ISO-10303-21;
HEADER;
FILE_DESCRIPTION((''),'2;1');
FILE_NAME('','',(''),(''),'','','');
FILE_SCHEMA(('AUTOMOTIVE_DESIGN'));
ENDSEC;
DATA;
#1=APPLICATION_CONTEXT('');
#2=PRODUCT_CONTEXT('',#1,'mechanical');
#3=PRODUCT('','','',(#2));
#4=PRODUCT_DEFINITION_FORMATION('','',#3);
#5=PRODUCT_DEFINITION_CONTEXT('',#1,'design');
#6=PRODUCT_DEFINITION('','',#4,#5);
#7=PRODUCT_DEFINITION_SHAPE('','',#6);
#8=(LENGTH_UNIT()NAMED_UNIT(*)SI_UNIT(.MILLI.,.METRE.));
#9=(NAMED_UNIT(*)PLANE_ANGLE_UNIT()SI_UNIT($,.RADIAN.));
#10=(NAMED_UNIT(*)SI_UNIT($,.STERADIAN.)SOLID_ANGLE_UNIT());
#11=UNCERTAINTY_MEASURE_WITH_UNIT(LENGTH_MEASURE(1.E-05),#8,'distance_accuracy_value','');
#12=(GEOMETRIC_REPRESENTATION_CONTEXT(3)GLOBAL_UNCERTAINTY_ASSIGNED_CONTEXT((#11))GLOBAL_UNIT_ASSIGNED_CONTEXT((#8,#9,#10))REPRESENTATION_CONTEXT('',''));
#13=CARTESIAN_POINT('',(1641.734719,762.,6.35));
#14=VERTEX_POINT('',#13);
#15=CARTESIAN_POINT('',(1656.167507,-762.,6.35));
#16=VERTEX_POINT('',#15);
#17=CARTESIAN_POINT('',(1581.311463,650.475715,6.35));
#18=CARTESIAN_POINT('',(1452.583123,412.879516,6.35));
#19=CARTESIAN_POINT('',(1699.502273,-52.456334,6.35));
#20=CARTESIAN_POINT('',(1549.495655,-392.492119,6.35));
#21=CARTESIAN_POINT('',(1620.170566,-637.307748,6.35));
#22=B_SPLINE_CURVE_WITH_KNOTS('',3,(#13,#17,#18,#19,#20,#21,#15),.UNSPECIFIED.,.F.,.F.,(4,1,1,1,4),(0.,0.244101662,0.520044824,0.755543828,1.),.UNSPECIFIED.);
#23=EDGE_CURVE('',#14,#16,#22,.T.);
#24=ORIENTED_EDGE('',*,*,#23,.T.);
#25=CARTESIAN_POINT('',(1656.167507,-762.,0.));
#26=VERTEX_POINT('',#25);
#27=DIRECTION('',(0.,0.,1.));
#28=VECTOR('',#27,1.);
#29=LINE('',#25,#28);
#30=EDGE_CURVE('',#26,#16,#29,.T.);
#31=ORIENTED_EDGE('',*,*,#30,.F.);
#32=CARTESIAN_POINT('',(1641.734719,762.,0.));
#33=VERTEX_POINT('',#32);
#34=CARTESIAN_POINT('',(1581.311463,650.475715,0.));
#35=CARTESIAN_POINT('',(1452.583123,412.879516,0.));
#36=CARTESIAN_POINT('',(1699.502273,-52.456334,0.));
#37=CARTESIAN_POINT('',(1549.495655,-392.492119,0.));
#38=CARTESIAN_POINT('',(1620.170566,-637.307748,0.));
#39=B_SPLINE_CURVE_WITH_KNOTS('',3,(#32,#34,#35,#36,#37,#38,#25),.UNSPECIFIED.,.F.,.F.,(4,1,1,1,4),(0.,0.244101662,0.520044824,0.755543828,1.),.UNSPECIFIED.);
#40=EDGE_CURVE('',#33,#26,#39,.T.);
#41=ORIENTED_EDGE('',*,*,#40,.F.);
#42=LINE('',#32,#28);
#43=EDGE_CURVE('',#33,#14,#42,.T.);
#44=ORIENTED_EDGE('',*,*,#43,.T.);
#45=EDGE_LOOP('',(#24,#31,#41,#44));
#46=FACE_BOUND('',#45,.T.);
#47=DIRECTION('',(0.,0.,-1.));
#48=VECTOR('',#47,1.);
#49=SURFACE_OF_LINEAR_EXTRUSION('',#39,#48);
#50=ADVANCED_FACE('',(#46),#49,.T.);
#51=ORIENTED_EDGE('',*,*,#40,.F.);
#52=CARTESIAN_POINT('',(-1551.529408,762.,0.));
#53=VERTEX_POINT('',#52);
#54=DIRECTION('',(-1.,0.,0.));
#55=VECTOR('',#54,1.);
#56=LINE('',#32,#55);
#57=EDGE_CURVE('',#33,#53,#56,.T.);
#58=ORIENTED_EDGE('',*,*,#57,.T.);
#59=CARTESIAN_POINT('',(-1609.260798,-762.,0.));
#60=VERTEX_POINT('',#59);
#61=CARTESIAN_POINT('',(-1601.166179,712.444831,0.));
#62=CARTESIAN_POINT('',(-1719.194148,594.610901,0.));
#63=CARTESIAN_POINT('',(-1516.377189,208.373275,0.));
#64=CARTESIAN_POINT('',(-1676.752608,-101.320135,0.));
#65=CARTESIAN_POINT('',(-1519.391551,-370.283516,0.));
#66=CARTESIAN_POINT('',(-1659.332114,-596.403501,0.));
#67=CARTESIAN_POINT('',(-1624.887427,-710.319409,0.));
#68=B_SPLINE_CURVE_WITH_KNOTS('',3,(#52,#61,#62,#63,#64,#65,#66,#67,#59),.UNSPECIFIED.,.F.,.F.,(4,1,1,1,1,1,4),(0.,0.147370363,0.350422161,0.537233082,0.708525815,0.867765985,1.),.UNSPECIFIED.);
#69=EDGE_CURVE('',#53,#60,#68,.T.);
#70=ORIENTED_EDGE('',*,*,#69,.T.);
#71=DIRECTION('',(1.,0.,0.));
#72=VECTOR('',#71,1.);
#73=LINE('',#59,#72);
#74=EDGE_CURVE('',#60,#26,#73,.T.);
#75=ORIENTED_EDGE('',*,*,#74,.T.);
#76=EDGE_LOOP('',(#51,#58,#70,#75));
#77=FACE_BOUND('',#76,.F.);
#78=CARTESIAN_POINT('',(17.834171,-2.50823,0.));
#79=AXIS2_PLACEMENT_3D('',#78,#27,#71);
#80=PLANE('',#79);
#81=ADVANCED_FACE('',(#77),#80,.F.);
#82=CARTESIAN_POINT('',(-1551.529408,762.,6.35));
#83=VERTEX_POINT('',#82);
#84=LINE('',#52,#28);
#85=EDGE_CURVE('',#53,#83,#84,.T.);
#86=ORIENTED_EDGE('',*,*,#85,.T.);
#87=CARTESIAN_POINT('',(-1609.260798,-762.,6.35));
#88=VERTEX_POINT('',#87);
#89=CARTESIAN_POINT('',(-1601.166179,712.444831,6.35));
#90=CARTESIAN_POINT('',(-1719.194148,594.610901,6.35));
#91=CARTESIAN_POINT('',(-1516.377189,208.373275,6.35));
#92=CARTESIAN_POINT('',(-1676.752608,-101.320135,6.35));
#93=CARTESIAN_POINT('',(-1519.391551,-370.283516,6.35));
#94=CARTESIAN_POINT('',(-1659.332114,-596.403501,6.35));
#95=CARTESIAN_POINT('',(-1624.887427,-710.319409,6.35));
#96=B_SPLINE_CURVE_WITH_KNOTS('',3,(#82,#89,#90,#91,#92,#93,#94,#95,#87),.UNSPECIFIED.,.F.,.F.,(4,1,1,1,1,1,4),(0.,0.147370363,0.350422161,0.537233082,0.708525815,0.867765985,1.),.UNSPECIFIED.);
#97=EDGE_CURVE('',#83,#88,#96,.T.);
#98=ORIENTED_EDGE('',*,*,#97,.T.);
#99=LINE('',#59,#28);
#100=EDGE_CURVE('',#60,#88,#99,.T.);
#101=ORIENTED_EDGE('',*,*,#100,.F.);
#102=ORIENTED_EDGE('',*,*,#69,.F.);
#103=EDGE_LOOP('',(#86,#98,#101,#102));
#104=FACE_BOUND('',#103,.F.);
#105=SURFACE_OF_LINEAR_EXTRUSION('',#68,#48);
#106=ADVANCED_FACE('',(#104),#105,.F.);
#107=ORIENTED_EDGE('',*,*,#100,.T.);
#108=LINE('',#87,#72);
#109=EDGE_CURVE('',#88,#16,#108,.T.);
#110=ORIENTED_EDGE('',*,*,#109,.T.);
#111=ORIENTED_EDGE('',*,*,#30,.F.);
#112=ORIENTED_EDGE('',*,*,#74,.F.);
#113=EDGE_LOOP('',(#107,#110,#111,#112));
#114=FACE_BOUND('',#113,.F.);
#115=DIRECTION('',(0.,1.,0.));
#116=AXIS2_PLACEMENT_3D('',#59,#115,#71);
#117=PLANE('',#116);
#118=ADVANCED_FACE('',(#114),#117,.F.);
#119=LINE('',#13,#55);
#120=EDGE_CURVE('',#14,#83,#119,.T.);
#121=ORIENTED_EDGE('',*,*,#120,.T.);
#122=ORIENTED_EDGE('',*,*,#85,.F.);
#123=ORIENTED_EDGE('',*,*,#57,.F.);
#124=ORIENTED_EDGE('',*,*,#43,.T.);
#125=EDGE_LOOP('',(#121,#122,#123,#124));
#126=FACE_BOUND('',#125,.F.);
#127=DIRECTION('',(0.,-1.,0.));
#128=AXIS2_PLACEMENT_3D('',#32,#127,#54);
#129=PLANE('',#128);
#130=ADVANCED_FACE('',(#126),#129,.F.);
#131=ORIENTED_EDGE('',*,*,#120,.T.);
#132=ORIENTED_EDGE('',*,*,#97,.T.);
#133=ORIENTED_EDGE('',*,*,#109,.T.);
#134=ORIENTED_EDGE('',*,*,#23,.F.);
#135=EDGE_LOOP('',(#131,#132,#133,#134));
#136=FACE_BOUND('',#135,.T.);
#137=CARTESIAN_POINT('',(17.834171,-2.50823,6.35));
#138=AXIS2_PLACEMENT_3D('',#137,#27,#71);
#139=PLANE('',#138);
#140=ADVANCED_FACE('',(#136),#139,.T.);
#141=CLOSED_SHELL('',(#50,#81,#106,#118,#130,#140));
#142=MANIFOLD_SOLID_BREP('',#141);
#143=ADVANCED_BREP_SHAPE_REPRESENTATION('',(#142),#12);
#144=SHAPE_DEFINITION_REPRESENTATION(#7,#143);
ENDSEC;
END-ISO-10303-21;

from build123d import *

# Parameters (mm, degrees)
F1_DEPTH = 6.35


with BuildPart() as f1:
    # F0 (on Top) → F1 (new body)
    with BuildSketch(Plane.XY):
        with BuildLine():
            Line((1641.7347192764, 762), (-1551.5294075012, 762))
            add(Edge.make_bspline(
                [(-1551.5294075012, 762), (-1601.1661788814, 712.4448314587), (-1719.1941477118, 594.6109005776), (-1516.3771886342, 208.3732745987), (-1676.7526078951, -101.3201350636), (-1519.3915507051, -370.2835162057), (-1659.3321142856, -596.403500655), (-1624.8874274875, -710.3194094237), (-1609.2607975006, -762)],
                knots=[0, 0, 0, 0, 0.1473703635, 0.3504221606, 0.5372330822, 0.708525815, 0.8677659847, 1, 1, 1, 1], degree=3))
            Line((-1609.2607975006, -762), (1656.1675071716, -762))
            add(Edge.make_bspline(
                [(1641.7347192764, 762), (1581.3114629311, 650.4757152248), (1452.583122873, 412.8795159532), (1699.5022728315, -52.4563342817), (1549.4956548549, -392.4921185865), (1620.1705659762, -637.3077481115), (1656.1675071716, -762)],
                knots=[0, 0, 0, 0, 0.2441016618, 0.5200448243, 0.7555438279, 1, 1, 1, 1], degree=3))
        make_face()
    extrude(amount=F1_DEPTH)


solid = f1.part
